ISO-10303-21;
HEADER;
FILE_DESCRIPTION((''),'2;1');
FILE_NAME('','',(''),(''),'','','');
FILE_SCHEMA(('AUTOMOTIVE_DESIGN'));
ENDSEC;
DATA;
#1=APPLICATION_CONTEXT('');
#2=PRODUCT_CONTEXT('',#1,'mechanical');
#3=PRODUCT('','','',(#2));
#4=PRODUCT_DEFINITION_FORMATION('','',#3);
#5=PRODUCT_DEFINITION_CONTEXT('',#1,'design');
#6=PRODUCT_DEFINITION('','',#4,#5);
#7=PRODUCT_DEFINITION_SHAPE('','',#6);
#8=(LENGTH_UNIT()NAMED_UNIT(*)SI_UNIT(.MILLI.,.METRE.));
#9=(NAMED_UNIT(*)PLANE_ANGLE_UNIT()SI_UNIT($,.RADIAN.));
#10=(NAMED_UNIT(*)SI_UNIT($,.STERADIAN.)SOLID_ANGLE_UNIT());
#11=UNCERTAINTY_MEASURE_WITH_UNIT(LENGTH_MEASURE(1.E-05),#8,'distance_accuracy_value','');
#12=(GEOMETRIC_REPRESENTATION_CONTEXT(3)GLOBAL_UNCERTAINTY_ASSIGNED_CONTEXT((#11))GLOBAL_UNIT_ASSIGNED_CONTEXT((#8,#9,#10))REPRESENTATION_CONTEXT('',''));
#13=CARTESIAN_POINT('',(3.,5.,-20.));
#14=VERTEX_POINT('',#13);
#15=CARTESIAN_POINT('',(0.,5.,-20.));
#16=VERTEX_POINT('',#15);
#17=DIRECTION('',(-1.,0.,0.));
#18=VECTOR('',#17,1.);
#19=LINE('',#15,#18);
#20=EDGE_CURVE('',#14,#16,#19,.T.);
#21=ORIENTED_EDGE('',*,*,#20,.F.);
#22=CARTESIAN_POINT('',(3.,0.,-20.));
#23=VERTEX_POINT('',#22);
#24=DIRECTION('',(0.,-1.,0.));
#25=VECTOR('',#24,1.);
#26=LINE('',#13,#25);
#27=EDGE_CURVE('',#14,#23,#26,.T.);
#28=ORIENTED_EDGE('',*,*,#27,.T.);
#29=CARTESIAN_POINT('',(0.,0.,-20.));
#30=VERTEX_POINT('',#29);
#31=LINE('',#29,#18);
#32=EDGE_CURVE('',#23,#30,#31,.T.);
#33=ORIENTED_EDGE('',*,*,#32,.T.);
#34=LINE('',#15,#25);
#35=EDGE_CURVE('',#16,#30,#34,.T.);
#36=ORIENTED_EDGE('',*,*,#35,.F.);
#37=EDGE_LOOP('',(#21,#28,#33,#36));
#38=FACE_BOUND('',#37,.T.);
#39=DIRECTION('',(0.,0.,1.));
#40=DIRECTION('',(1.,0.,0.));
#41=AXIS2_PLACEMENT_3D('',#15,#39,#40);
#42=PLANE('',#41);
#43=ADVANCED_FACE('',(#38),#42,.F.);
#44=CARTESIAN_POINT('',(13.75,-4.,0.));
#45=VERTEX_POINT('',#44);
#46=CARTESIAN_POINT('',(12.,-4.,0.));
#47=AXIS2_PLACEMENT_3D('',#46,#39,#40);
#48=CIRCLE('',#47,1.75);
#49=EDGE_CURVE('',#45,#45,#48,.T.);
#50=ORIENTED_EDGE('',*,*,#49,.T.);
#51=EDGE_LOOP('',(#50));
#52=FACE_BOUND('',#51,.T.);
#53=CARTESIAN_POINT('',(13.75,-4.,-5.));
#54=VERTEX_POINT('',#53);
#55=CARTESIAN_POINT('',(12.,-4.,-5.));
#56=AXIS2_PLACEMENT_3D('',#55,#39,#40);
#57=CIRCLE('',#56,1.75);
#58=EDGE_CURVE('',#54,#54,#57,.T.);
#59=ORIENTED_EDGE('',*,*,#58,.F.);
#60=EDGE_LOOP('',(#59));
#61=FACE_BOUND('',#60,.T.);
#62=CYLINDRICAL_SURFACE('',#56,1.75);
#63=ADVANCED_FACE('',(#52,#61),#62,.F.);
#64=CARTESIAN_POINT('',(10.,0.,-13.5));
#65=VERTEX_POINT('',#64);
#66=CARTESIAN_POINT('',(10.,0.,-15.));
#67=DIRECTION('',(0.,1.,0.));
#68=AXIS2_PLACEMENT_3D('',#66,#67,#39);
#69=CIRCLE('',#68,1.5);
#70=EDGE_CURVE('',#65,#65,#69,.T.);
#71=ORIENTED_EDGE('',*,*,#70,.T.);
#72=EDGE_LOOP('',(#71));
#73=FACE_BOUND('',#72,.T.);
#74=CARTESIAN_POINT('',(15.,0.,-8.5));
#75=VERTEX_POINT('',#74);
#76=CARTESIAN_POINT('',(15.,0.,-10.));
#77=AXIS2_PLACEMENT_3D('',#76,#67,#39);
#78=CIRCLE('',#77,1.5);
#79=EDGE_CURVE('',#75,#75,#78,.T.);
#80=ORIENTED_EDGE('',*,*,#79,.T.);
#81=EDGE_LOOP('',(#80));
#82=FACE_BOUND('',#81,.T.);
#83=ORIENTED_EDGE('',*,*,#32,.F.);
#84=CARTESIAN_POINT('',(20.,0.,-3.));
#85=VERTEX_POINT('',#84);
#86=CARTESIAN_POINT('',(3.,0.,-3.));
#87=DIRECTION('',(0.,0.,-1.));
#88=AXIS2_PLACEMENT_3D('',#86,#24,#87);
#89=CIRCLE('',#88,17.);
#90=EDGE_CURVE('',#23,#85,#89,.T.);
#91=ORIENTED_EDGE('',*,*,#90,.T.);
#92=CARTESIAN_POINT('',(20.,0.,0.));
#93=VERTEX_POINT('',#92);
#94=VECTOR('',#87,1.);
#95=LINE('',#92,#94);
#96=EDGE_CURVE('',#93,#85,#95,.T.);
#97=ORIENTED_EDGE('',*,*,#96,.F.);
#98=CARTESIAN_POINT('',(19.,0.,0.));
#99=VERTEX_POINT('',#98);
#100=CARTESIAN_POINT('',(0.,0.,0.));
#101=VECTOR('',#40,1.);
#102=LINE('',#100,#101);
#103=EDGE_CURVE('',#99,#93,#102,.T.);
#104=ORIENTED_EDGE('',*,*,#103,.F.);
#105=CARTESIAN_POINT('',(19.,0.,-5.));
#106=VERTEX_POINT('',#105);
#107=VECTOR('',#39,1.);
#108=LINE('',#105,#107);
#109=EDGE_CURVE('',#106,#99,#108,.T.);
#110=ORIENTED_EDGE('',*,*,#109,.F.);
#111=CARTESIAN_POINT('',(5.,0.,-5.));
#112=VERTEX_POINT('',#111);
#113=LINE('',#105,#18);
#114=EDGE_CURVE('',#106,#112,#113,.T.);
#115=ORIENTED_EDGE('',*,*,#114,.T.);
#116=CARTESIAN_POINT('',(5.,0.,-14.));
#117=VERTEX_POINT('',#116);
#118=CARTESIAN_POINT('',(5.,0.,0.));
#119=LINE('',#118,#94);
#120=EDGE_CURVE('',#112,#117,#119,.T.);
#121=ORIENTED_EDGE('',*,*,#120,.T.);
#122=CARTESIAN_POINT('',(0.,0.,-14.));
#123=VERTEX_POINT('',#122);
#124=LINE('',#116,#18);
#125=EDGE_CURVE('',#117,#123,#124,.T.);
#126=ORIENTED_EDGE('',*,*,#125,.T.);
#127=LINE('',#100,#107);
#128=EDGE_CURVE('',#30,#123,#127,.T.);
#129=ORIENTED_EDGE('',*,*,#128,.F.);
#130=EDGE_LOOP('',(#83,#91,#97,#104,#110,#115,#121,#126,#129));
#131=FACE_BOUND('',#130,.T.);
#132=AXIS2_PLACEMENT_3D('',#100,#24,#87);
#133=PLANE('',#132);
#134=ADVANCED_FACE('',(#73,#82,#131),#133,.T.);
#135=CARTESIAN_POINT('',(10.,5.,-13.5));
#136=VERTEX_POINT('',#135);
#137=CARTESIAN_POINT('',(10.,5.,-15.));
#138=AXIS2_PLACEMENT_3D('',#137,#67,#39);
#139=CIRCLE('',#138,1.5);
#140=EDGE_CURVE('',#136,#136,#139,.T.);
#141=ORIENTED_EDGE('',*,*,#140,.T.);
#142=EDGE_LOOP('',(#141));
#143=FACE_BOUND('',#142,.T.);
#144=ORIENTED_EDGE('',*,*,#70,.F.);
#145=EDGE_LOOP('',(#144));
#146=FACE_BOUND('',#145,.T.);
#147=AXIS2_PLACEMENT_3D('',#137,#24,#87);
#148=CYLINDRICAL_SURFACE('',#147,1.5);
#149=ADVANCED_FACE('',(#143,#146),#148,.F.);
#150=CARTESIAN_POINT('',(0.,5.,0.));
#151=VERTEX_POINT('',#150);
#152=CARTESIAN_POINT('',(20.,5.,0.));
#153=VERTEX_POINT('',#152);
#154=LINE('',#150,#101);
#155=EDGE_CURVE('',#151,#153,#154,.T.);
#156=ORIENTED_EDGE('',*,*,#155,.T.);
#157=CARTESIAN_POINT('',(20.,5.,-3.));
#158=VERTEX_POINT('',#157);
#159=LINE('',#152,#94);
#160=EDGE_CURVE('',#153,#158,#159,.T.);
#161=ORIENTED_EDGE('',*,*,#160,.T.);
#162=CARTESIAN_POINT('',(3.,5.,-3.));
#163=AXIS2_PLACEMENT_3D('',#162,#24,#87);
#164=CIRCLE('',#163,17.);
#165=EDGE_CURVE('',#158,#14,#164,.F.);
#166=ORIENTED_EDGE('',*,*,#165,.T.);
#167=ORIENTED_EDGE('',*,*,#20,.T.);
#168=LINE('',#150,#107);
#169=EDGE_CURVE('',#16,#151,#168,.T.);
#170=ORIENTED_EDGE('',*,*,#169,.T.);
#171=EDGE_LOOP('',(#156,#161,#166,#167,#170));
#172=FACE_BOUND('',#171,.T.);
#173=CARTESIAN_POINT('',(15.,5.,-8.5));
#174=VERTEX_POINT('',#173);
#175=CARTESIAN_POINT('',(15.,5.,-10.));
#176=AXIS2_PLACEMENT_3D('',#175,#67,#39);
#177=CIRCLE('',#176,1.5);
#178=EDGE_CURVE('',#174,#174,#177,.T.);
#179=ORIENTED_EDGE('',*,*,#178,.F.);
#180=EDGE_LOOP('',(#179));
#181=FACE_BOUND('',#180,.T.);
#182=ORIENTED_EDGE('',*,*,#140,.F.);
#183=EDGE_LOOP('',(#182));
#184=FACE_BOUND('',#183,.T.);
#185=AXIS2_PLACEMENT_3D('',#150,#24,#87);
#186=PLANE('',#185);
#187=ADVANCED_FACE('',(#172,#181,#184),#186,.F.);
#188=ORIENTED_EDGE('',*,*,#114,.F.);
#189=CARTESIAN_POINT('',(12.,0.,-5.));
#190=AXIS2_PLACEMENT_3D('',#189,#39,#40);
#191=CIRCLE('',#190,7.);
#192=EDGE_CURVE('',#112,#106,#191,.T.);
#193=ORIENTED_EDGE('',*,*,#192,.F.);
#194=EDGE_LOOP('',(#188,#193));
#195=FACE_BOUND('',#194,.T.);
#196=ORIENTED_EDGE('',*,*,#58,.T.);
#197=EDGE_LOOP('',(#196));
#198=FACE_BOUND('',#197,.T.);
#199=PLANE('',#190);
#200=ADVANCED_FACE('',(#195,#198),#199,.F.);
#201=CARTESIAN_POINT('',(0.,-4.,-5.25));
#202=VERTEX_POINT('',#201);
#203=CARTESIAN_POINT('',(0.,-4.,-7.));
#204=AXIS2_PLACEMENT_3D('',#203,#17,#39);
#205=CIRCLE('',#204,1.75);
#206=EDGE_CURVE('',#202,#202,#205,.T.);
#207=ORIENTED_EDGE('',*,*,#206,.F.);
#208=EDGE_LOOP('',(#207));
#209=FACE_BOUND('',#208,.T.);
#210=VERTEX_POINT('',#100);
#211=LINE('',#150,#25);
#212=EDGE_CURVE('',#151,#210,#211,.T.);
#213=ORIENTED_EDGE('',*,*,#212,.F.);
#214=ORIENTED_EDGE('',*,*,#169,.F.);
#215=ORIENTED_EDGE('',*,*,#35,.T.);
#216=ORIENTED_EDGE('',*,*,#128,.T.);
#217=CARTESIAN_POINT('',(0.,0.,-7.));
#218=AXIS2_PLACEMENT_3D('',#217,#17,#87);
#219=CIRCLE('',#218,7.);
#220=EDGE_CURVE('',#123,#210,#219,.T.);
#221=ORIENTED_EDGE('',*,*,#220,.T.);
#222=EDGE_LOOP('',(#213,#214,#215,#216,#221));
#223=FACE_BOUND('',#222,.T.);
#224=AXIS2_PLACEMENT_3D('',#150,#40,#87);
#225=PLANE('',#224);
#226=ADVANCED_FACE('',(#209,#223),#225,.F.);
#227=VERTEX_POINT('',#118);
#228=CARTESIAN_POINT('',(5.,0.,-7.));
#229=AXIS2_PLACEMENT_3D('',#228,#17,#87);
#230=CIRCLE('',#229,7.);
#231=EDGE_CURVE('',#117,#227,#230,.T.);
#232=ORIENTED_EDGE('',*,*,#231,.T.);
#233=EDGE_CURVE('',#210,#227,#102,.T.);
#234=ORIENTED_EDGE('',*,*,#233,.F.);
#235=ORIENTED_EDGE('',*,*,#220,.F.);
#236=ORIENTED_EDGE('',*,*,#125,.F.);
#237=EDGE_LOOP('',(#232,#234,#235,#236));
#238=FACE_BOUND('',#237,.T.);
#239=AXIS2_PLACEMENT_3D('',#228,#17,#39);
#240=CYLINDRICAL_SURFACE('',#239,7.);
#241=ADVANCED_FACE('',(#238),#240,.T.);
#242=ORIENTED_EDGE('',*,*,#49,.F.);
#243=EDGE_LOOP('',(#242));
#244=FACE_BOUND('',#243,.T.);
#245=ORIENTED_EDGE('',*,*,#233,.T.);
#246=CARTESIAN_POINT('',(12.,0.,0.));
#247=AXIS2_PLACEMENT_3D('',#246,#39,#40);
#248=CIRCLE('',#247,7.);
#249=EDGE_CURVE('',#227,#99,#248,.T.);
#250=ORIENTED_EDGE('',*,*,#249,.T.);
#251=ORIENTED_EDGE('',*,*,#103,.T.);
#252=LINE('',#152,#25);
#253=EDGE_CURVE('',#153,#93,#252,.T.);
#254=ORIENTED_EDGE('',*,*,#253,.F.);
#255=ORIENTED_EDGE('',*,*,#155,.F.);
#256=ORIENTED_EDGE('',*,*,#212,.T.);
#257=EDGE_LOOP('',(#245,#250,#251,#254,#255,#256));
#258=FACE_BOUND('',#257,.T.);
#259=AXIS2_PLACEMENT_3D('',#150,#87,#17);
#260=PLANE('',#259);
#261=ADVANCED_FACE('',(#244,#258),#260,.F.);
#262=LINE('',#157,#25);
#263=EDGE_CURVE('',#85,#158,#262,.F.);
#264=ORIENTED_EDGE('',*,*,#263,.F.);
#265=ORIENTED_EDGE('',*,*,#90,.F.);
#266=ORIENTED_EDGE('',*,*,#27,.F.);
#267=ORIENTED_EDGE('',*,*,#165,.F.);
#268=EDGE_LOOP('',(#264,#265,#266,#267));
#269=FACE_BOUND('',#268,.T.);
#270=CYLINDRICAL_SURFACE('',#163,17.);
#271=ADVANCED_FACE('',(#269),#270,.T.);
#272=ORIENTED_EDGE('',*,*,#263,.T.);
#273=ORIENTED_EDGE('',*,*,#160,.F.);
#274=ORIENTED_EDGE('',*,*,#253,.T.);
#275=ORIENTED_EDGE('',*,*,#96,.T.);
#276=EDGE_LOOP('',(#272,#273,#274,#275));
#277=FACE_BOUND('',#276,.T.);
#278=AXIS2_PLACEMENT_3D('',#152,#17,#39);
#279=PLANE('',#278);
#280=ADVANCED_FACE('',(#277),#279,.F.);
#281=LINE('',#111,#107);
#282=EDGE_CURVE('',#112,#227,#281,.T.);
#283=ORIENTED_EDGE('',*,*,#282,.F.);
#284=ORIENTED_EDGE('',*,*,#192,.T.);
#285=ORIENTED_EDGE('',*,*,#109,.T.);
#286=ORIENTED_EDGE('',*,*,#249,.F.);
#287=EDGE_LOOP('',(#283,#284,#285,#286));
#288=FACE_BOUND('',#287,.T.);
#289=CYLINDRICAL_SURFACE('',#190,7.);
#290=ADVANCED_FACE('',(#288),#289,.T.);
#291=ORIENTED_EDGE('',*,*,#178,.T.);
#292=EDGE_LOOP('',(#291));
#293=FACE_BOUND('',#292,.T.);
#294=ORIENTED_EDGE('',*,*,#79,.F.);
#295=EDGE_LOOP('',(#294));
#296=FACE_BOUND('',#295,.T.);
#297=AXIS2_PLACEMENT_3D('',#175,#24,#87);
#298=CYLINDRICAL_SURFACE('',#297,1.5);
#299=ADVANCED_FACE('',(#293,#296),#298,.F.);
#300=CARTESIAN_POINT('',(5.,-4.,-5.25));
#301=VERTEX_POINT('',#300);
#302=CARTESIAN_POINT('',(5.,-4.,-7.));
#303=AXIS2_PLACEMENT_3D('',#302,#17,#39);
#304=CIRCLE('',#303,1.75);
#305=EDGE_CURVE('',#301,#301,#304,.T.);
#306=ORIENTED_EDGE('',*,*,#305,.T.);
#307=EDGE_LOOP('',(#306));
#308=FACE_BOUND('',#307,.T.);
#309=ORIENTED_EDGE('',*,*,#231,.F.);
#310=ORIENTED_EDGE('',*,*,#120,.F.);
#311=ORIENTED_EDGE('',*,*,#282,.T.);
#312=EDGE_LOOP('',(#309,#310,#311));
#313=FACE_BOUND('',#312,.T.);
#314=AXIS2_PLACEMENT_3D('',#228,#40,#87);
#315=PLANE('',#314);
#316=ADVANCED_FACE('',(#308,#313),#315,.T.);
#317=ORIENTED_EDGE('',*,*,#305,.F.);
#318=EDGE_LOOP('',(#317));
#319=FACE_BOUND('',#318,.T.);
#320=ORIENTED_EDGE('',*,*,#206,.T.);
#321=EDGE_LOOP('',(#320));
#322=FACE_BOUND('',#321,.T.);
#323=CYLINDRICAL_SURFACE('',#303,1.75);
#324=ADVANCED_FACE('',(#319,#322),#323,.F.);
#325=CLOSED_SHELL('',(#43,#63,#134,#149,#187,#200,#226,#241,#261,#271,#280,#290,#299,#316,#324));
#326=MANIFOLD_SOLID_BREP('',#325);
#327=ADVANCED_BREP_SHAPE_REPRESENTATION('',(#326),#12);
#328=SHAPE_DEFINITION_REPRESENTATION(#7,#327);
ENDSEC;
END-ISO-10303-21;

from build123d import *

# Parameters (mm, degrees)
SKETCH1_W           = 20
SKETCH1_H           = 20
SKETCH1_R           = 1.5
BOSS_EXTRUDE1_DEPTH = 5
SKETCH2_R           = 1.75
BOSS_EXTRUDE2_DEPTH = 5
SKETCH3_R           = 1.75
BOSS_EXTRUDE3_DEPTH = 5
FILLET1_R           = 17


with BuildPart() as part:
    # Sketch1 → Boss-Extrude1 (new body)
    with BuildSketch(Plane(origin=(0, 0, 0), x_dir=(1, 0, 0), z_dir=(0, 1, 0))):
        with Locations((10, 10)):
            Rectangle(SKETCH1_W, SKETCH1_H)
        with Locations(Location((10, 15, 0), (0, 0, 270))):
            Circle(SKETCH1_R, mode=Mode.SUBTRACT)
        with Locations(Location((15, 10, 0), (0, 0, 270))):
            Circle(SKETCH1_R, mode=Mode.SUBTRACT)
    extrude(amount=BOSS_EXTRUDE1_DEPTH)

    # Sketch2 → Boss-Extrude2 (add)
    with BuildSketch(Plane.XY):
        with BuildLine():
            Line((19, 0), (5, 0))
            ThreePointArc((5, 0), (12, -7), (19, 0))
        make_face()
        with Locations((12, -4)):
            Circle(SKETCH2_R, mode=Mode.SUBTRACT)
    extrude(amount=-BOSS_EXTRUDE2_DEPTH)

    # Sketch3 → Boss-Extrude3 (add)
    with BuildSketch(Plane.ZY):
        with BuildLine():
            Line((0, 0), (-14, 0))
            ThreePointArc((-14, 0), (-7, -7), (0, 0))
        make_face()
        with Locations((-7, -4)):
            Circle(SKETCH3_R, mode=Mode.SUBTRACT)
    extrude(amount=-BOSS_EXTRUDE3_DEPTH)

    # Fillet1
    fillet1_edges = [part.edges().sort_by_distance(p)[0] for p in [
        (20, 2.5, -20),
    ]]
    fillet(fillet1_edges, radius=FILLET1_R)


solid = part.part
